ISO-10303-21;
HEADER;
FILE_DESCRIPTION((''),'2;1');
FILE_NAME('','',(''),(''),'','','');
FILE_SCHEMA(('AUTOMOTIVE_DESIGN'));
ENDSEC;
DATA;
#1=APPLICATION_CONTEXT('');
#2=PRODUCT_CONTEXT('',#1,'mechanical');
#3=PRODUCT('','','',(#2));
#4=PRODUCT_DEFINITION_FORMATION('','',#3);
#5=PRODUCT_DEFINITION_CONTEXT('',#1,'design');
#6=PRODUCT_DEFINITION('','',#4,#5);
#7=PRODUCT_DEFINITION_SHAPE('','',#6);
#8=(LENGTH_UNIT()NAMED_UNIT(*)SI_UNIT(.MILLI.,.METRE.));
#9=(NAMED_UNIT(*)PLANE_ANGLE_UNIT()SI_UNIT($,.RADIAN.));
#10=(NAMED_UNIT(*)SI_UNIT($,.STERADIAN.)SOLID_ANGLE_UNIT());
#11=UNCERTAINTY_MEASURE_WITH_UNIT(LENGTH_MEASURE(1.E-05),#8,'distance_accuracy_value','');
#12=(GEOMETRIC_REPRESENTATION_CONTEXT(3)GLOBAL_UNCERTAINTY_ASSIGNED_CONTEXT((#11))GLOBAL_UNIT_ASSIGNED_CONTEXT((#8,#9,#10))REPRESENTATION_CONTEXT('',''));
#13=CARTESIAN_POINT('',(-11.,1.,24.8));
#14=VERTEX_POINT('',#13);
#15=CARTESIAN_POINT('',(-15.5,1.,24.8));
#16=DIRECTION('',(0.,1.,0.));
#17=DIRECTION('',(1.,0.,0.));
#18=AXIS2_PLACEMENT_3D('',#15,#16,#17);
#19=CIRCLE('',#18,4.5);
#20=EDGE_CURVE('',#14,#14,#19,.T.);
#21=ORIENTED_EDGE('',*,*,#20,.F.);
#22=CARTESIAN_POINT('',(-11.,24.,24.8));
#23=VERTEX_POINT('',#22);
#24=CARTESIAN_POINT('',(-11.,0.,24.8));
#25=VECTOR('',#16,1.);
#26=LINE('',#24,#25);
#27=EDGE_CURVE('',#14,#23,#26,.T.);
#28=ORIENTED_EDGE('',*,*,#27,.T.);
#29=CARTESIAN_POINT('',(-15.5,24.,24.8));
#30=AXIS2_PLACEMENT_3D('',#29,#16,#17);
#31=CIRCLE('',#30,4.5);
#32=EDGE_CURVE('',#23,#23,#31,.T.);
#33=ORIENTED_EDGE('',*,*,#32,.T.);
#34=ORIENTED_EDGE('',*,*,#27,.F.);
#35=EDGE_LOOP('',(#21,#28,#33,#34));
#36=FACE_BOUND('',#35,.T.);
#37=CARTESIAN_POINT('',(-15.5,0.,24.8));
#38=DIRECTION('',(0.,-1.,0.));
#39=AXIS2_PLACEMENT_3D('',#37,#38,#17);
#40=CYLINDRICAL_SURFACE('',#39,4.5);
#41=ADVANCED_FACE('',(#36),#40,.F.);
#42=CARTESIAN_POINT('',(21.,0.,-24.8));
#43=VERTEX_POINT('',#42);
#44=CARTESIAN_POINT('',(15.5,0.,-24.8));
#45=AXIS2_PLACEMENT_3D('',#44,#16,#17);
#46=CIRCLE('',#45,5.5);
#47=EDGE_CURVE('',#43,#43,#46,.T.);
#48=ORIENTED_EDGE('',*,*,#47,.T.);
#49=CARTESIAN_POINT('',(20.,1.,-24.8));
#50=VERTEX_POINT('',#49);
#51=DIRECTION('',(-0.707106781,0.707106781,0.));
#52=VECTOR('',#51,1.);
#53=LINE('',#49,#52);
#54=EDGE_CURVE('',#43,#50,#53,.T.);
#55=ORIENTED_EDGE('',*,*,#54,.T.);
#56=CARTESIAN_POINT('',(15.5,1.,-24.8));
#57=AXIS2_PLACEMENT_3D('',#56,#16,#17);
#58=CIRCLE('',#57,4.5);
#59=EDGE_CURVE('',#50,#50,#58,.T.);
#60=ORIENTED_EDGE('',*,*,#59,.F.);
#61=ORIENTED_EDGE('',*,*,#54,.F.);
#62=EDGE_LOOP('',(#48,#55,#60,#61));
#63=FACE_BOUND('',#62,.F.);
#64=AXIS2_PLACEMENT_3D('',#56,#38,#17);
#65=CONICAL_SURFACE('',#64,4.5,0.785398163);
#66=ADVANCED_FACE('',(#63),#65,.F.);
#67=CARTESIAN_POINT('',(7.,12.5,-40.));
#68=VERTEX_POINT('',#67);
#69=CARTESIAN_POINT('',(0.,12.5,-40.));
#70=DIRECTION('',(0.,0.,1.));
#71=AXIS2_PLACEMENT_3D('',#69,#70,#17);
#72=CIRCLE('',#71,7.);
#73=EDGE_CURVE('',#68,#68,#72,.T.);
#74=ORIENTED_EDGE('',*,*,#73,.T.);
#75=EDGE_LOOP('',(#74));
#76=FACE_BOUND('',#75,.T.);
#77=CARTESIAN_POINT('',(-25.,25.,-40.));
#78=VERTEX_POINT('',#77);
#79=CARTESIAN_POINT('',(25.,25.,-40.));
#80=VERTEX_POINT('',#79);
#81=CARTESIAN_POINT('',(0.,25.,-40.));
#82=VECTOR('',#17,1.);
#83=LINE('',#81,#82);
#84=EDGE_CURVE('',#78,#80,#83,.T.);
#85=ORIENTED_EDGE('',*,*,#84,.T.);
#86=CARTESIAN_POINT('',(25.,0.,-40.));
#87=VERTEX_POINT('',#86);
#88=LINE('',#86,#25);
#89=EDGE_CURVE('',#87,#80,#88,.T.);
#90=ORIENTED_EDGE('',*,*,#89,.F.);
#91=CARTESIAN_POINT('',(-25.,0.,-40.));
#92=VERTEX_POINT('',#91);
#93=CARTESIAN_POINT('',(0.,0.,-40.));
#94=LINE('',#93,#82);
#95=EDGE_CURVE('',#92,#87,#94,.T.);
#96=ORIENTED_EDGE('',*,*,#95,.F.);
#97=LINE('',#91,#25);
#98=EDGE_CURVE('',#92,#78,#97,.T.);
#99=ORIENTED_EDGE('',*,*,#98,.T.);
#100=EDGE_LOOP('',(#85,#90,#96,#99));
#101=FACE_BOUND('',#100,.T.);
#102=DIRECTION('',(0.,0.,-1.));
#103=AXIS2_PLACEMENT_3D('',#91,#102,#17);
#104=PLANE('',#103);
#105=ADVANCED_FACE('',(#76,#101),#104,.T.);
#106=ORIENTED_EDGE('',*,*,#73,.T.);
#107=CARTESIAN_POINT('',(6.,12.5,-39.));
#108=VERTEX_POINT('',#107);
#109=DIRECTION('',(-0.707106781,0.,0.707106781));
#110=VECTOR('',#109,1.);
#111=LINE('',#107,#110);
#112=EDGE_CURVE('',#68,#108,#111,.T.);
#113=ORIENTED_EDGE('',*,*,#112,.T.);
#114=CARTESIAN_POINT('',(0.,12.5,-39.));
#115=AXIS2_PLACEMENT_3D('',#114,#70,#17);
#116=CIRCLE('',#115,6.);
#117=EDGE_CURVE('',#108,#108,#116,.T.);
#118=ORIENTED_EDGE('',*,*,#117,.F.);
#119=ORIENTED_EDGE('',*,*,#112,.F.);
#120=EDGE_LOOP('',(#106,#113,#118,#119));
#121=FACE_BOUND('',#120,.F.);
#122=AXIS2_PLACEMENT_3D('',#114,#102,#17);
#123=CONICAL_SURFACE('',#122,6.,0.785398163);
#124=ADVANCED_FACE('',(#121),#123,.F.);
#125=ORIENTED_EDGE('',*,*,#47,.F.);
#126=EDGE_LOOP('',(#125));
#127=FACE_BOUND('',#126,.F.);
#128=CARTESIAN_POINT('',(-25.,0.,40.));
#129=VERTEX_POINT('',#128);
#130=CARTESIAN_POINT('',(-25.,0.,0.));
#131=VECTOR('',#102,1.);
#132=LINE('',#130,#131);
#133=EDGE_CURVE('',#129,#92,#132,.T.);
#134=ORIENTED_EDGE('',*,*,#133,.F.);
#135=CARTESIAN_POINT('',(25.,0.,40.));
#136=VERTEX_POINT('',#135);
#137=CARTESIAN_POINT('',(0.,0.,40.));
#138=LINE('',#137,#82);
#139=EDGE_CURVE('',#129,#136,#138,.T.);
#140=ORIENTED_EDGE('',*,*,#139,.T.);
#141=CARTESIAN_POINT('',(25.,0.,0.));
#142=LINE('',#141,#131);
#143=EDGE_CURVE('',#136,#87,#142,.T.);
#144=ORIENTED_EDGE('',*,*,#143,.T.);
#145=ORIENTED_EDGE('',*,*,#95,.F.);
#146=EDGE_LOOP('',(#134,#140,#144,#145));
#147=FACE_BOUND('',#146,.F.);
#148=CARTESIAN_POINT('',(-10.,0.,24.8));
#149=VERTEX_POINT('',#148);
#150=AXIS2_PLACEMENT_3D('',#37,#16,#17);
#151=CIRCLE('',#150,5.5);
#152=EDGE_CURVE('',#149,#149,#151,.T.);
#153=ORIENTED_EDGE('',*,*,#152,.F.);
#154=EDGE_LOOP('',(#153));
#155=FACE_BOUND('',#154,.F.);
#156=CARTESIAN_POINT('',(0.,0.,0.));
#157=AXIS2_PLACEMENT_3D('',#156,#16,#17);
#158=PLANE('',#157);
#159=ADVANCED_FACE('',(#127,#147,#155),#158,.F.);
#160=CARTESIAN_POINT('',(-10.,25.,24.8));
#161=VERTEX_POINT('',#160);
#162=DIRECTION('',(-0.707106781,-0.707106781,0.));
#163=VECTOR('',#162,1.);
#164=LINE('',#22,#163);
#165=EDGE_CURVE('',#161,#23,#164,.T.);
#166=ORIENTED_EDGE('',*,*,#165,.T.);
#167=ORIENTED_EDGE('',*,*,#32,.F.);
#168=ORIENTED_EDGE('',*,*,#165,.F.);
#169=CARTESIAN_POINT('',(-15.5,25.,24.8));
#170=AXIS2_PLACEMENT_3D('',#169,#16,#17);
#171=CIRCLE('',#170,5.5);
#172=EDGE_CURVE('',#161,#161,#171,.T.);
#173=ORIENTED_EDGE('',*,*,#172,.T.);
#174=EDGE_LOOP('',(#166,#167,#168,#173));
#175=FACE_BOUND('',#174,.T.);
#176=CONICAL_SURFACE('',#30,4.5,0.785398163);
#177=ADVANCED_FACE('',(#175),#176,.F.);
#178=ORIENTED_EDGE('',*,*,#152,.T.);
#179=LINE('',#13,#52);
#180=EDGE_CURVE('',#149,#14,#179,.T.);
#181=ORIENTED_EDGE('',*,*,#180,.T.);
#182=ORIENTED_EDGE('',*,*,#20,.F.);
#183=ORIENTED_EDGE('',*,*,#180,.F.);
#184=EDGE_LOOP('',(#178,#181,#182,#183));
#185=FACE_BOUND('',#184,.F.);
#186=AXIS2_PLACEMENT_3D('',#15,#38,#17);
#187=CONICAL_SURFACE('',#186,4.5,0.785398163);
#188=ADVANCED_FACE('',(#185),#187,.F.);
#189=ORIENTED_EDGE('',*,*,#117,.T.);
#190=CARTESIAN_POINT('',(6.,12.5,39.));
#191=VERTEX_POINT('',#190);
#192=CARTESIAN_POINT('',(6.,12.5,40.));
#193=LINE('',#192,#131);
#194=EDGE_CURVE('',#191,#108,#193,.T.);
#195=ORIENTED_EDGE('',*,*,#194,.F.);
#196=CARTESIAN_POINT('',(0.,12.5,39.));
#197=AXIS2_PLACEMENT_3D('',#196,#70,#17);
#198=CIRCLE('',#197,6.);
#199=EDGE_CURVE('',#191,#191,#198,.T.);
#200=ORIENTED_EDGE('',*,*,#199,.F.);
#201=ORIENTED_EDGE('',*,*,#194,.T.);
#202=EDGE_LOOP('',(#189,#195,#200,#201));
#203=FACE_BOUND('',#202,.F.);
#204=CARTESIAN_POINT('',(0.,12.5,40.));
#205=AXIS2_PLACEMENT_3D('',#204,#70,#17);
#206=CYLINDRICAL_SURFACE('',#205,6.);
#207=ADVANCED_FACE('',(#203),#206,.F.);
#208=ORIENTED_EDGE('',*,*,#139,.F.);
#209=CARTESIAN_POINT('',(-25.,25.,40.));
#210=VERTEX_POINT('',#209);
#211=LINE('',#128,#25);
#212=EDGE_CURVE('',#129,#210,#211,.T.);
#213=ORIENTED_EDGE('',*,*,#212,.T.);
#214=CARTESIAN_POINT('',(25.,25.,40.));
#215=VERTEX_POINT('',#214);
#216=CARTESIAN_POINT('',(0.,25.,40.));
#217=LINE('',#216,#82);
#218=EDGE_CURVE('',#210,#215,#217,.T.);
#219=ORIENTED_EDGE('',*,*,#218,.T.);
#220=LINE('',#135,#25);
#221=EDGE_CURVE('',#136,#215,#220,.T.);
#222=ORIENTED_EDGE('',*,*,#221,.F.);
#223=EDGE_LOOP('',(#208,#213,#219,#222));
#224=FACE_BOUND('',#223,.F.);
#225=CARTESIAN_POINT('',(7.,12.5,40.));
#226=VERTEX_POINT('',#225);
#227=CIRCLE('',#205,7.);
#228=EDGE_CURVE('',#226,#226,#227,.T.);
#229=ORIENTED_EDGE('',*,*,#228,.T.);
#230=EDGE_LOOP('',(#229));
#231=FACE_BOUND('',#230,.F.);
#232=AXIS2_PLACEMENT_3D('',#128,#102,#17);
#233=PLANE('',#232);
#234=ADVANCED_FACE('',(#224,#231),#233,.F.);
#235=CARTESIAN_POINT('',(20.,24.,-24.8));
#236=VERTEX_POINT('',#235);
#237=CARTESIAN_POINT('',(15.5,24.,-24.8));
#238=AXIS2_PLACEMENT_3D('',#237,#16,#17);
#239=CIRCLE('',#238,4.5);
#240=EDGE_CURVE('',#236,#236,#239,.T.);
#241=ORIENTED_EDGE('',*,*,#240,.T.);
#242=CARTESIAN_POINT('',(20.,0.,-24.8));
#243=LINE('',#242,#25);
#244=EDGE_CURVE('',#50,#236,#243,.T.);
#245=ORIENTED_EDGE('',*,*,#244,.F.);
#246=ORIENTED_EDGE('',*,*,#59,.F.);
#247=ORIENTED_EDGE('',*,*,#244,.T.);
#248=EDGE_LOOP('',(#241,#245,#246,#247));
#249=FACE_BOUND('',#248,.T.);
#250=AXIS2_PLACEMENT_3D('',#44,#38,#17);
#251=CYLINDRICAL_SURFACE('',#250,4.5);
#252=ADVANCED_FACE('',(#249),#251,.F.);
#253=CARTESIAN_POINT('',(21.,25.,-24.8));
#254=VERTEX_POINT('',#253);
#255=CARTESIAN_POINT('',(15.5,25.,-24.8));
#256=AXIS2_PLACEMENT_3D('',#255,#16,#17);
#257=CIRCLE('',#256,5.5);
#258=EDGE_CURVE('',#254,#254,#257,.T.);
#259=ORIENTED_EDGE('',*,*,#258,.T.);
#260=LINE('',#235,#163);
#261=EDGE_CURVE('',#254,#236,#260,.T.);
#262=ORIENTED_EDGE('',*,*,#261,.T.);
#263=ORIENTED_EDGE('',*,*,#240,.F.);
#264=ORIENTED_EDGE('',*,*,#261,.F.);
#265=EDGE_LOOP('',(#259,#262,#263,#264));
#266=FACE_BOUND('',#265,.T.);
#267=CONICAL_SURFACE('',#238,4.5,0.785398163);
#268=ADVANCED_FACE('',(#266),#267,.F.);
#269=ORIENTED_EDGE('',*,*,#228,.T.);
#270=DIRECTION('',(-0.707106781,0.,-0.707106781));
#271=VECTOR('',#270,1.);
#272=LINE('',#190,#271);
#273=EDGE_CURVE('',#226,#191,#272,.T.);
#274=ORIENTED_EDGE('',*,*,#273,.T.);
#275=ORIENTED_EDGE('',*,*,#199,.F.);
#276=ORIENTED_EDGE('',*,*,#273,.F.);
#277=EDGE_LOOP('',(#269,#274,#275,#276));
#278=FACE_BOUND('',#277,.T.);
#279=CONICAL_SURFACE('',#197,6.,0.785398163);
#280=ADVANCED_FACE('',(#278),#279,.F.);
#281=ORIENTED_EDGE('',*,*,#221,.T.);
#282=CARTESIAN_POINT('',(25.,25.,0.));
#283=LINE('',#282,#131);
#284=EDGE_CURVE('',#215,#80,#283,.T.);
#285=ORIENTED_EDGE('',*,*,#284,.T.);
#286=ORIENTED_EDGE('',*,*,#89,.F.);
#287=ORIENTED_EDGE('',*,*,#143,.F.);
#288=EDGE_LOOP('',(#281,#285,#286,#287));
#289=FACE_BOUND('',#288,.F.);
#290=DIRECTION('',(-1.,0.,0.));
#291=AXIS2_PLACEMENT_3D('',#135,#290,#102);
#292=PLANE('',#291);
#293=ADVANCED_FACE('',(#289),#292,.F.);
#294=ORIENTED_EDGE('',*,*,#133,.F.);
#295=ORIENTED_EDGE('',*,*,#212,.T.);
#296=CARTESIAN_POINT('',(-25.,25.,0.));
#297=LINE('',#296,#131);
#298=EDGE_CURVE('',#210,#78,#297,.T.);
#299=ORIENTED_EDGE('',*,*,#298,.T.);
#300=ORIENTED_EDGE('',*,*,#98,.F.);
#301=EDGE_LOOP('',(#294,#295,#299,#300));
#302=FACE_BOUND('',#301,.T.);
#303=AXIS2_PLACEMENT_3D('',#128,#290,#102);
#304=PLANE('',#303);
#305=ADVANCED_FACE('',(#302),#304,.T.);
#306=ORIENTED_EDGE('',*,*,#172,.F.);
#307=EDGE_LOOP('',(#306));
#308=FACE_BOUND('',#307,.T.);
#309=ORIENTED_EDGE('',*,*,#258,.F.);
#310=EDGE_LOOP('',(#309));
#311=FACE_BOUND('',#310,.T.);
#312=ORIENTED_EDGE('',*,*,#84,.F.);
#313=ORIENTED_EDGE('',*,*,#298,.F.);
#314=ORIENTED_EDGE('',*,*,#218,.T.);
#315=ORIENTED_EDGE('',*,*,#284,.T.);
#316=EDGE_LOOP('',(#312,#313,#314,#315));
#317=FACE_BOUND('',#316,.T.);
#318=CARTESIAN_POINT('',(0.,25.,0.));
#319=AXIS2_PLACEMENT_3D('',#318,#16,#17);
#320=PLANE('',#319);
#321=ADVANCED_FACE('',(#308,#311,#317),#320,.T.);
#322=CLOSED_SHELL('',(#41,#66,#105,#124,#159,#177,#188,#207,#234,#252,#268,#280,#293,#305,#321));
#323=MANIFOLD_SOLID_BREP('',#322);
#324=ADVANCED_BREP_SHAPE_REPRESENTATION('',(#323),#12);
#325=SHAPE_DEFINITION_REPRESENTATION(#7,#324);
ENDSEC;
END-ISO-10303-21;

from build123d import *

# Parameters (mm, degrees)
SKETCH1_W           = 50
SKETCH1_H           = 80
SKETCH1_R           = 4.5
BOSS_EXTRUDE1_DEPTH = 25
SKETCH2_R           = 6
CUT_EXTRUDE1_DEPTH  = 81
CHAMFER1_SIZE       = 1


with BuildPart() as part:
    # Sketch1 → Boss-Extrude1 (new body)
    with BuildSketch(Plane(origin=(0, 0, 0), x_dir=(1, 0, 0), z_dir=(0, 1, 0))):
        Rectangle(SKETCH1_W, SKETCH1_H)
        with Locations((15.5, 24.8)):
            Circle(SKETCH1_R, mode=Mode.SUBTRACT)
        with Locations((-15.5, -24.8)):
            Circle(SKETCH1_R, mode=Mode.SUBTRACT)
    extrude(amount=BOSS_EXTRUDE1_DEPTH)

    # Sketch2 → Cut-Extrude1 (cut, through all)
    with BuildSketch(Plane.XY.offset(40)):
        with Locations((0, 12.5)):
            Circle(SKETCH2_R)
    extrude(amount=-CUT_EXTRUDE1_DEPTH, mode=Mode.SUBTRACT)

    # Chamfer1
    chamfer1_edges = [part.edges().sort_by_distance(p)[0] for p in [
        (11, 0, -24.8),
        (11, 25, -24.8),
        (-20, 0, 24.8),
        (-20, 25, 24.8),
        (-6, 12.5, -40),
        (-6, 12.5, 40),
    ]]
    chamfer(chamfer1_edges, length=CHAMFER1_SIZE)


solid = part.part
